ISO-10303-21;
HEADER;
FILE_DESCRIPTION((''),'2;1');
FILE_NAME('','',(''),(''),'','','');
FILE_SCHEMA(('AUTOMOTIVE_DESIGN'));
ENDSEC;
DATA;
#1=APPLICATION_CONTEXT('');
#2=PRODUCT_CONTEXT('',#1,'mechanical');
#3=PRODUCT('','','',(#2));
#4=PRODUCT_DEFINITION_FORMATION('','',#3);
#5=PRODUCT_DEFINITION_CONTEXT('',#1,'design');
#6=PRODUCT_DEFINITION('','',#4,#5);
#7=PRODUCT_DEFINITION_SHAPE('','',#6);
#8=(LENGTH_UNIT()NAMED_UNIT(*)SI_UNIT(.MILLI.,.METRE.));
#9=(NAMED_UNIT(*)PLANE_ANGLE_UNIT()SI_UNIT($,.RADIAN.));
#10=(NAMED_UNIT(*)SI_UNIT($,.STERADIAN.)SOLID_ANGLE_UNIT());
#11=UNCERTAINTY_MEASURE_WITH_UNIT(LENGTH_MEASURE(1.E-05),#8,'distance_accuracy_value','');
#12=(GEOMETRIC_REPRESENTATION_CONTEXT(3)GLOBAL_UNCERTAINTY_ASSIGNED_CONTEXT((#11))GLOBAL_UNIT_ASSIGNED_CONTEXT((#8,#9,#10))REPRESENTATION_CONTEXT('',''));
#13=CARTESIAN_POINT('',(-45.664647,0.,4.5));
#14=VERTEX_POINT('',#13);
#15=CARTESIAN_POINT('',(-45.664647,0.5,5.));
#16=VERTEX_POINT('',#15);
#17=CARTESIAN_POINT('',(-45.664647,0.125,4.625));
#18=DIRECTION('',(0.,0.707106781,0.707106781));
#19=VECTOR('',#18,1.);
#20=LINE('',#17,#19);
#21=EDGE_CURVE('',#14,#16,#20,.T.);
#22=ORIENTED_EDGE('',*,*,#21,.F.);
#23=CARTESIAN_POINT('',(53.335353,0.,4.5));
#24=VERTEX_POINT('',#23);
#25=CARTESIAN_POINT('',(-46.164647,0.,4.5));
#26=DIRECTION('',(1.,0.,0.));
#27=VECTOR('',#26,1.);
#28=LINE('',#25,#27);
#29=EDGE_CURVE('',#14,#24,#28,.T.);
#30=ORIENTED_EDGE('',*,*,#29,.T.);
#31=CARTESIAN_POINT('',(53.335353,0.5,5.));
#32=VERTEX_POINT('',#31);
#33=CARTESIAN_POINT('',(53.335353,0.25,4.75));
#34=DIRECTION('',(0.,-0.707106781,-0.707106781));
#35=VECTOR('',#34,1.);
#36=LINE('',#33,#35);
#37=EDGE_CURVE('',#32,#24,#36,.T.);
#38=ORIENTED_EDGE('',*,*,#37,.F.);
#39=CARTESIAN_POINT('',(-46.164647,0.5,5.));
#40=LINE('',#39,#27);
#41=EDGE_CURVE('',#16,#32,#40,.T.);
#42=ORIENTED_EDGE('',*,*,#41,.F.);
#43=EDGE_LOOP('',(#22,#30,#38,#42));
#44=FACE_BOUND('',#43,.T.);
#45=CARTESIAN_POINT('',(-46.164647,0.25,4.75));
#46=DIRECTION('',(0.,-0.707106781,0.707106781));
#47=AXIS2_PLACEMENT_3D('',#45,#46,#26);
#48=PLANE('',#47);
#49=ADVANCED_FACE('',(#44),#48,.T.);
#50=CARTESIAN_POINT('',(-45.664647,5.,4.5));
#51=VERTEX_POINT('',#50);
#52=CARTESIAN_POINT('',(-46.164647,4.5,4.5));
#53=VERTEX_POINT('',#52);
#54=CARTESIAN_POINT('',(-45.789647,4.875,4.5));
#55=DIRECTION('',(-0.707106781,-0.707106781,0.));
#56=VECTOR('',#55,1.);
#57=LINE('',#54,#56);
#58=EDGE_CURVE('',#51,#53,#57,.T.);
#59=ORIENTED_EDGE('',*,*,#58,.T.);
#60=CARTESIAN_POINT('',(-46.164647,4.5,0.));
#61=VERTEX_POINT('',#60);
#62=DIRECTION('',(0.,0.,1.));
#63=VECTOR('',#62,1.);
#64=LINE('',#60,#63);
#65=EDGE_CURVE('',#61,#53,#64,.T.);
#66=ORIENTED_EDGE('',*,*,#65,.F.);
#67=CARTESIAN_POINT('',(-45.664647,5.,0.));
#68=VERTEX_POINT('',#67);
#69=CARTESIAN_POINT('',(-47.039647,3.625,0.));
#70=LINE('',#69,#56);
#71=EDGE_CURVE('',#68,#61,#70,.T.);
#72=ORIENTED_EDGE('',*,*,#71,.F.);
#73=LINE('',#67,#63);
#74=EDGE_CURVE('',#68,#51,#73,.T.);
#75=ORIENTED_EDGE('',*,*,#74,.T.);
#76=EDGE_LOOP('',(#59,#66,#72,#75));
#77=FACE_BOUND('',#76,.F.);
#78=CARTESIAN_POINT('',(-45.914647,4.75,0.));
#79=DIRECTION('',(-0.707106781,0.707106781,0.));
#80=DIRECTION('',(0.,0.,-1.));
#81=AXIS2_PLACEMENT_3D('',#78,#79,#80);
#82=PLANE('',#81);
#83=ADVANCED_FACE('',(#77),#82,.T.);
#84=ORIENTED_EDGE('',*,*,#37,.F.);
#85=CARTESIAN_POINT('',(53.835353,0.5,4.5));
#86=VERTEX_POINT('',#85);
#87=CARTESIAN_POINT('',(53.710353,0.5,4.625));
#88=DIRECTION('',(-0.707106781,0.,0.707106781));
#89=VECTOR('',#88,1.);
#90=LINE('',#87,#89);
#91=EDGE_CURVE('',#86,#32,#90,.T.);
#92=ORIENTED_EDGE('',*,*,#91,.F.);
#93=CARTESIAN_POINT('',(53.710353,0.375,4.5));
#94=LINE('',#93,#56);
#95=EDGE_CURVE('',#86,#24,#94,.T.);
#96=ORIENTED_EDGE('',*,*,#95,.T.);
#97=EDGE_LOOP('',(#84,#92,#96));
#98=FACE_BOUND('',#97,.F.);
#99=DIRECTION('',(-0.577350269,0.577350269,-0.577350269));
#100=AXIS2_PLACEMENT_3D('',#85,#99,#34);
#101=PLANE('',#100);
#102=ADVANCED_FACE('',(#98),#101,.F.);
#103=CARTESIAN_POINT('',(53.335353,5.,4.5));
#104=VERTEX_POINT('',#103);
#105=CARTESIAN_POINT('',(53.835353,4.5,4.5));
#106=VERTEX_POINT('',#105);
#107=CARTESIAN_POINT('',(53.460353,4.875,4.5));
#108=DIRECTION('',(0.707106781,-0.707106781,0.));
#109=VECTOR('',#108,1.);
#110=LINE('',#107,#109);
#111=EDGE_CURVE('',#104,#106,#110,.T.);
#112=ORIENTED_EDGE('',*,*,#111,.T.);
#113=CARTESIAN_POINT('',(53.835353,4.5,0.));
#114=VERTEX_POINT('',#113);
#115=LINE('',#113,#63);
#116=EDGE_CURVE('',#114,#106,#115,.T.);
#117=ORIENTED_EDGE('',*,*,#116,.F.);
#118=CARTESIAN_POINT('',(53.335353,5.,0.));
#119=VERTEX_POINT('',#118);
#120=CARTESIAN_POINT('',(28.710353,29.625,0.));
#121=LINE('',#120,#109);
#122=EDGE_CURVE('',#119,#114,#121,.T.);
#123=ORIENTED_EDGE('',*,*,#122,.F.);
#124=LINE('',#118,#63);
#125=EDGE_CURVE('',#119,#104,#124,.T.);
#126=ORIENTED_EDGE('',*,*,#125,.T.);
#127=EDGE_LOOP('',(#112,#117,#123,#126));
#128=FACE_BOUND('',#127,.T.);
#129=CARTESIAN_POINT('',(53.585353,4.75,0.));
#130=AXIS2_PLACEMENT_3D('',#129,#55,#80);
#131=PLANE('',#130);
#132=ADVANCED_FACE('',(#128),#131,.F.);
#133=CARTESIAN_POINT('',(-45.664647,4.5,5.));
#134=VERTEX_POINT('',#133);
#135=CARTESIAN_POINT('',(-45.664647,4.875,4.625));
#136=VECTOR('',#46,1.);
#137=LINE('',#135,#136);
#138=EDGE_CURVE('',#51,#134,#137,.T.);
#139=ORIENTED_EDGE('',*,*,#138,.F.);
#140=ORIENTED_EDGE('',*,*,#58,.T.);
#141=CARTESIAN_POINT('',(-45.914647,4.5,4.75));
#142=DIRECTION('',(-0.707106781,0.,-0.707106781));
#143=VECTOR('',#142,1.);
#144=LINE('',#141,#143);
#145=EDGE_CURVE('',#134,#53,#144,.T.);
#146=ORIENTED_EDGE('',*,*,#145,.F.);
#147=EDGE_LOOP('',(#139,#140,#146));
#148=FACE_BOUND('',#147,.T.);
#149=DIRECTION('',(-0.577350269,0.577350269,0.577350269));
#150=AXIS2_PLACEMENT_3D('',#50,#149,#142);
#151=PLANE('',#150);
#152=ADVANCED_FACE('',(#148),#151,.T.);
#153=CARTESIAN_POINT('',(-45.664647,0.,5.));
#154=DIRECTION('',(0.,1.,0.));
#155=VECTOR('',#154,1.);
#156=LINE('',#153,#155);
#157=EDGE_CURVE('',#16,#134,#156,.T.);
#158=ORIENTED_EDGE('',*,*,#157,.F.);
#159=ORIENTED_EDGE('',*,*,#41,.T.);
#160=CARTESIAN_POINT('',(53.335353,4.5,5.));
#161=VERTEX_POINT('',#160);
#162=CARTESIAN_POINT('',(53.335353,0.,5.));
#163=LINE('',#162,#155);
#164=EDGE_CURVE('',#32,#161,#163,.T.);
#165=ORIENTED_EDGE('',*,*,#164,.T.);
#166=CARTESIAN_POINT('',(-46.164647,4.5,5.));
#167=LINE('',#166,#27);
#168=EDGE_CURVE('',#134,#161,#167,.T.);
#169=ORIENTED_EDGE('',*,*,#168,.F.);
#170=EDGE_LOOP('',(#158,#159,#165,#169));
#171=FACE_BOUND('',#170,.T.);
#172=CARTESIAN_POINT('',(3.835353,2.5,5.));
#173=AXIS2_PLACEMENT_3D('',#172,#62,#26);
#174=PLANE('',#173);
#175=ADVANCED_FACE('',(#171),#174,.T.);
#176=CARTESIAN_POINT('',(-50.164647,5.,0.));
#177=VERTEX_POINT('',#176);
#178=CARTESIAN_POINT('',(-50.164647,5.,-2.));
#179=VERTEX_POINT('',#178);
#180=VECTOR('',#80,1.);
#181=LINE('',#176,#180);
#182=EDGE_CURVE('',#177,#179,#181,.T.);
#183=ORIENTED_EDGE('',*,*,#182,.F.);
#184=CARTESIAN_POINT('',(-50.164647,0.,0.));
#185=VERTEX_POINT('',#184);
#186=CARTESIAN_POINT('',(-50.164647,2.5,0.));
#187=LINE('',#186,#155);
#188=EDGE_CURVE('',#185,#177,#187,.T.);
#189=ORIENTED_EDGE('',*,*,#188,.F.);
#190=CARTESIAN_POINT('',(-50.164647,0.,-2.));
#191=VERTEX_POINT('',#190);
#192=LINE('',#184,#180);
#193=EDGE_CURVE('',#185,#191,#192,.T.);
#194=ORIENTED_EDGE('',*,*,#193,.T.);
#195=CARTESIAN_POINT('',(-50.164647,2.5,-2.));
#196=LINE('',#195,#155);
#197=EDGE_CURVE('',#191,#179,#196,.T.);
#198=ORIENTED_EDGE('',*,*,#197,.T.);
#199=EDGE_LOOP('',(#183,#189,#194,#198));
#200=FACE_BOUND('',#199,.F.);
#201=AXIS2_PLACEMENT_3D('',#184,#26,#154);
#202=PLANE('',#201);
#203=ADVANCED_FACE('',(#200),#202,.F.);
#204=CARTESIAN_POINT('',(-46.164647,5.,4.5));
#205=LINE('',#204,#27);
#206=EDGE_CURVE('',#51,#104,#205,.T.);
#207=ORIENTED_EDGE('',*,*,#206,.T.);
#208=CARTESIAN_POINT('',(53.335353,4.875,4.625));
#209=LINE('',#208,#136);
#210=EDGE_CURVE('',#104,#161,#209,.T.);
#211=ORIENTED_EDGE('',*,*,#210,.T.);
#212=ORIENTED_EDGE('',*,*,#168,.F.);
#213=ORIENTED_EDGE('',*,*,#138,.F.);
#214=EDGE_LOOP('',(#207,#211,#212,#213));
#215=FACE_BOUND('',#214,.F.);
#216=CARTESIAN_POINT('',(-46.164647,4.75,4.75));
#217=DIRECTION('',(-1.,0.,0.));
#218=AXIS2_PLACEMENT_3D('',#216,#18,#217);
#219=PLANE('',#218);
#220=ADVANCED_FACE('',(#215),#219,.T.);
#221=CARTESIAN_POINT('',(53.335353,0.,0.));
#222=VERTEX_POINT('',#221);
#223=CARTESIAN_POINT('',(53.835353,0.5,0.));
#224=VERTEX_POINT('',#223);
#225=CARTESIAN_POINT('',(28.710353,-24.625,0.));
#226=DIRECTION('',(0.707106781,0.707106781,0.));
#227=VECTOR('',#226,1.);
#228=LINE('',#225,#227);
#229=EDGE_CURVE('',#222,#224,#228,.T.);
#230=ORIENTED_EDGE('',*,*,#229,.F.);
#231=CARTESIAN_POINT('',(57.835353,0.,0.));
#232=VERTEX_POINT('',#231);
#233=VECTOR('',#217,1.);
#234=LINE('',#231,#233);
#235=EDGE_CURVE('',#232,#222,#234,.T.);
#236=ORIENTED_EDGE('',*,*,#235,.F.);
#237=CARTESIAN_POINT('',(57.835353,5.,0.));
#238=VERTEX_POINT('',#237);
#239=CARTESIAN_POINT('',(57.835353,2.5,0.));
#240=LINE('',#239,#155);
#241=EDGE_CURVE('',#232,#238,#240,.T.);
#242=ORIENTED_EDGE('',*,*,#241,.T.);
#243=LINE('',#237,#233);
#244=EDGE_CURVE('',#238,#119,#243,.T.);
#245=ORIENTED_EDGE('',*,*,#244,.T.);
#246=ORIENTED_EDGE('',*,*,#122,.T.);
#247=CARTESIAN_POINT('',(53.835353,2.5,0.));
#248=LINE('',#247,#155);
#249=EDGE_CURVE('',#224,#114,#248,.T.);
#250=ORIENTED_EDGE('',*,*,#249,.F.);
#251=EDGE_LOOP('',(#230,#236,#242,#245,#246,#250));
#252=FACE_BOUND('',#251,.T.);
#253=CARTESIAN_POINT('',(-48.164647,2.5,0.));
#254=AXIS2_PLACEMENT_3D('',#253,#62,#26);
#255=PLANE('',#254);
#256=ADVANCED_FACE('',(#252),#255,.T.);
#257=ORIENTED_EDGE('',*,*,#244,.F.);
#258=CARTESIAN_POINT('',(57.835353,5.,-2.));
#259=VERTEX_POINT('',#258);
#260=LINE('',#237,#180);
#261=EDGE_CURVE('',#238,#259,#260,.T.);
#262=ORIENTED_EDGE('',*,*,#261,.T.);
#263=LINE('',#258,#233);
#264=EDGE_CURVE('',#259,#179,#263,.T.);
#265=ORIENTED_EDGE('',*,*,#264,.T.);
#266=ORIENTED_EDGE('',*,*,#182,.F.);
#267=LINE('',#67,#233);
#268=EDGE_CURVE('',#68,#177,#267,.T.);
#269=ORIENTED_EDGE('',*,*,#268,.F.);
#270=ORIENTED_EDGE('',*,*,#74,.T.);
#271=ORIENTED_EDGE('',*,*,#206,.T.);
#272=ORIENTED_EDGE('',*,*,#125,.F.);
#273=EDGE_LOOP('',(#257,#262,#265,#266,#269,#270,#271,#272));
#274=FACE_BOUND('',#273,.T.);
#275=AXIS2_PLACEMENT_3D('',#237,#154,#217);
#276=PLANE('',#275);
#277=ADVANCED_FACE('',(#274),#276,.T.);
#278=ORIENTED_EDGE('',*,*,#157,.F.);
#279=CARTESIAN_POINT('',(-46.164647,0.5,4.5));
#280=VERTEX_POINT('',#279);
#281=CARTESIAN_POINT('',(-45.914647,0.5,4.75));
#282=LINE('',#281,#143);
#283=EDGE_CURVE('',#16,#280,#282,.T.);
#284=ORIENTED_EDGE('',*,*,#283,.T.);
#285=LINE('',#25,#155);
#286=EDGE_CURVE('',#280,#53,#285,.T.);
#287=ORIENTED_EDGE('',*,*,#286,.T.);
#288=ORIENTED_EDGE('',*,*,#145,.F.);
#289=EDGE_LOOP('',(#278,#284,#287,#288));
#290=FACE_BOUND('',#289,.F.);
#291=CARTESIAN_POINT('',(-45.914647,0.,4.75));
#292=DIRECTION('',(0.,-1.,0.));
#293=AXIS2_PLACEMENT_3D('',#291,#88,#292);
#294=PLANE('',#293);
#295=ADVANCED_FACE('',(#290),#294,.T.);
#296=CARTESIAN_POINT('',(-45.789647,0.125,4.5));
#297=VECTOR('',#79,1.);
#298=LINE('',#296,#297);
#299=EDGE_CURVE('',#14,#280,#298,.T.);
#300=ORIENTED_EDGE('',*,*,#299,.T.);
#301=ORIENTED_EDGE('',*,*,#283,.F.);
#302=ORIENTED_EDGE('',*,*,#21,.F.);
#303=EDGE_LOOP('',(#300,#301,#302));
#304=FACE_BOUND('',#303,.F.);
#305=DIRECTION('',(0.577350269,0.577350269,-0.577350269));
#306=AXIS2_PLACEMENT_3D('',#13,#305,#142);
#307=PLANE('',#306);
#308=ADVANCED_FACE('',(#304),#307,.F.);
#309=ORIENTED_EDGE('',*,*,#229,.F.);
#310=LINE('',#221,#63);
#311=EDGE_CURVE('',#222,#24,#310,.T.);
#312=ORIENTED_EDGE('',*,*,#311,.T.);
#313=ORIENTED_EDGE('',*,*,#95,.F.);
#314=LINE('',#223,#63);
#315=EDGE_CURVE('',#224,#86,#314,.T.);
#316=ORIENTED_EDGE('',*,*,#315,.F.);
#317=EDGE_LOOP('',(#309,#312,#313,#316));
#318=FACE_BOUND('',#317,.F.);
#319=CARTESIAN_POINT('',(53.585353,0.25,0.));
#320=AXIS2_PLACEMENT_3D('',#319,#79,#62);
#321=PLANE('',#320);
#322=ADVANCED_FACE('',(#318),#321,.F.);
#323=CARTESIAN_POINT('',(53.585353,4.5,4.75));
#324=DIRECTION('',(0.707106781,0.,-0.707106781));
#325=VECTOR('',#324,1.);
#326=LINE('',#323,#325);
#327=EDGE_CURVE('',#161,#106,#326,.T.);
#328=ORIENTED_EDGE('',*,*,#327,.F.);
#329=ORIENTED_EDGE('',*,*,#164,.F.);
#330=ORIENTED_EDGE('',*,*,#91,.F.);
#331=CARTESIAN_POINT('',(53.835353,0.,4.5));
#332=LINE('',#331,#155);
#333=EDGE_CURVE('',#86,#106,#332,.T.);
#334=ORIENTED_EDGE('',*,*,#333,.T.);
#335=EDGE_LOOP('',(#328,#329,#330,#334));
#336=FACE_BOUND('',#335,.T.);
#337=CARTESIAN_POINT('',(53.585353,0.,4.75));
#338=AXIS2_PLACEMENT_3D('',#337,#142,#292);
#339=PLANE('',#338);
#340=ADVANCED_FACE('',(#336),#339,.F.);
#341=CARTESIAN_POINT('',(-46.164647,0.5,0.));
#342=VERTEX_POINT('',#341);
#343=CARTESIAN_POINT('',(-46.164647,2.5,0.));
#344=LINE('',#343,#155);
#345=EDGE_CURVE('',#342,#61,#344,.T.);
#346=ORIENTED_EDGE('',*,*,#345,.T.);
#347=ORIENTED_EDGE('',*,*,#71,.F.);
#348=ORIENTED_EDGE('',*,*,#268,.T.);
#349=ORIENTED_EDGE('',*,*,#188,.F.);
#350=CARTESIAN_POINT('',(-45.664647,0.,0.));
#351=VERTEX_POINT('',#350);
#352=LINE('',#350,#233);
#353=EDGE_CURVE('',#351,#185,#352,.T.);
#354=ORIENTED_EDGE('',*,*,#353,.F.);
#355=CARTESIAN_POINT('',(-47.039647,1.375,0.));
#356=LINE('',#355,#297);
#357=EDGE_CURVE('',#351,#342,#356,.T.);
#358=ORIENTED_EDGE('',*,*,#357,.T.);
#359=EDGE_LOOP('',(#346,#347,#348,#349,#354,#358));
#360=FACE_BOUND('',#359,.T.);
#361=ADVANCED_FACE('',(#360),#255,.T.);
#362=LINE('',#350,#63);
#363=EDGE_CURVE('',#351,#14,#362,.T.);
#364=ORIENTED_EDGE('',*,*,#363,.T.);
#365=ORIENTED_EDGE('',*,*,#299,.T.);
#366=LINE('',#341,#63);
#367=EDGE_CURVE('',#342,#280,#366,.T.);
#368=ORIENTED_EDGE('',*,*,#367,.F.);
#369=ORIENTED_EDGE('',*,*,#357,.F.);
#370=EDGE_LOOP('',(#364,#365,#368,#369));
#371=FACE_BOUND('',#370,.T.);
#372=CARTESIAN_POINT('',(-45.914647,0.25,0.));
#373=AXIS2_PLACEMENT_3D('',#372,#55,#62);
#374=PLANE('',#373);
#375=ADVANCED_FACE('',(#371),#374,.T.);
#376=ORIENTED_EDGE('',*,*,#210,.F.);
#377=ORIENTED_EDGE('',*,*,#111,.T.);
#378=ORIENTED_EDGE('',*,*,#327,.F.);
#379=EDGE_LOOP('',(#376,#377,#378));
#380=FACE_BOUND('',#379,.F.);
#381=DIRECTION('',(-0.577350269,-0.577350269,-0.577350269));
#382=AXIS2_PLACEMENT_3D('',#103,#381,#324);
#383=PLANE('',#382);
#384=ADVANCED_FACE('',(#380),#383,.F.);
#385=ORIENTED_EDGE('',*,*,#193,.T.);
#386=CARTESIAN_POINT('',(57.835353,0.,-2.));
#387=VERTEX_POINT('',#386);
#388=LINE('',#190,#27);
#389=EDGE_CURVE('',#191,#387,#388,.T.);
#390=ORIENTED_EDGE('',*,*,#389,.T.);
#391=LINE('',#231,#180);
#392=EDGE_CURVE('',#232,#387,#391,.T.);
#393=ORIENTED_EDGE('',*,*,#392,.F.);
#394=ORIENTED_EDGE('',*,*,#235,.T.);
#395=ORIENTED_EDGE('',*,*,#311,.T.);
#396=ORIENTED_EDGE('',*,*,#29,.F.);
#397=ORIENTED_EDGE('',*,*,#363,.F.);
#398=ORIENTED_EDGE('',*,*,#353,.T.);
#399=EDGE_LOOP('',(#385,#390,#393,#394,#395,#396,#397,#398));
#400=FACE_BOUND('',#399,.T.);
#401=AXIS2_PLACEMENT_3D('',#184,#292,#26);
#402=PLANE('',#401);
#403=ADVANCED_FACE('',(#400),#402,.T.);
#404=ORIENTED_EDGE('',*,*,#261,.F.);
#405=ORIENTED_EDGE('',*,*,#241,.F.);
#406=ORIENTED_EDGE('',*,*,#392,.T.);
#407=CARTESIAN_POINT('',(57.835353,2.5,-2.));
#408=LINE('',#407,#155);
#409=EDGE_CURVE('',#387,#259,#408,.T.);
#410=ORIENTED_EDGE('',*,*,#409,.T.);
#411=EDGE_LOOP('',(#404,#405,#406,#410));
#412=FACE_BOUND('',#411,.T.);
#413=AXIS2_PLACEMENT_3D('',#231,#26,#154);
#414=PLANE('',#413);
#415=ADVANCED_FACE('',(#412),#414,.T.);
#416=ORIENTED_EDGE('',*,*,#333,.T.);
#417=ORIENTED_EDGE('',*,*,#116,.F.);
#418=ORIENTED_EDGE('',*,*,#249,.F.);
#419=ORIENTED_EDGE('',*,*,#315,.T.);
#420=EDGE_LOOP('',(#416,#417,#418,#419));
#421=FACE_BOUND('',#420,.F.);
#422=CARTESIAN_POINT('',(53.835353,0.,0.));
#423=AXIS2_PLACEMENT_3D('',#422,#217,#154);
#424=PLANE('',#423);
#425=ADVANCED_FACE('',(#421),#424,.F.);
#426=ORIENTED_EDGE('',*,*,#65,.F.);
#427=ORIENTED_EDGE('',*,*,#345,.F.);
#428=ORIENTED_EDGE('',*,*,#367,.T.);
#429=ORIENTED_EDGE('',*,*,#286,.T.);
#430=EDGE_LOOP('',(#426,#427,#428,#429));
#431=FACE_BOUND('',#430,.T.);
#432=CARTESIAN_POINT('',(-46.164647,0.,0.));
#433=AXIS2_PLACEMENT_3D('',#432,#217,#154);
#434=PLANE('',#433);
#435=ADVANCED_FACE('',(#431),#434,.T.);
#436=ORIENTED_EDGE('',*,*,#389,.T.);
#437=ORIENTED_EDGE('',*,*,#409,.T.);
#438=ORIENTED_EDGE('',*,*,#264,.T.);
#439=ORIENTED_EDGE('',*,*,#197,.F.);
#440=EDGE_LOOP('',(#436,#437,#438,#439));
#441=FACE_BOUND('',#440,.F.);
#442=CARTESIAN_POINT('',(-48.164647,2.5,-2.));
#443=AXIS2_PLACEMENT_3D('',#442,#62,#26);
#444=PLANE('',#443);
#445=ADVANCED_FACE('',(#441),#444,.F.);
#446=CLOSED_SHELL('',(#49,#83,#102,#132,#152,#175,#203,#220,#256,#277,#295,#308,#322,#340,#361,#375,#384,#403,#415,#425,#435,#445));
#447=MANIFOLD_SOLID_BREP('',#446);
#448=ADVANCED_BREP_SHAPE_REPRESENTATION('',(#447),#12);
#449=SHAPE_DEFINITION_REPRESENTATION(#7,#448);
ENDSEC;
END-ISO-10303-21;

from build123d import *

# Parameters (mm, degrees)
F0_W     = 100
F0_H     = 5
F1_DEPTH = 5
F0_W_2   = 4
F2_DEPTH = 2
F3_SIZE  = 0.5


with BuildPart() as f1:
    # F0 (on Top) → F1 (new body)
    with BuildSketch(Plane.XY):
        with Locations((3.835353, 2.5)):
            Rectangle(F0_W, F0_H)
    extrude(amount=F1_DEPTH)

    # F0 (on Top) → F2 (join)
    with BuildSketch(Plane.XY):
        with Locations((-48.164647, 2.5)):
            Rectangle(F0_W_2, F0_H)
        with Locations((3.835353, 2.5)):
            Rectangle(F0_W, F0_H)
        with Locations((55.835353, 2.5)):
            Rectangle(F0_W_2, F0_H)
    extrude(amount=-F2_DEPTH)

    # F3
    f3_edges = [f1.edges().sort_by_distance(p)[0] for p in [
        (-46.164647, 2.5, 5),
        (3.835353, 0, 5),
        (53.835353, 2.5, 5),
        (3.835353, 5, 5),
        (53.835353, 5, 2.5),
        (53.835353, 0, 2.5),
        (-46.164647, 0, 2.5),
        (-46.164647, 5, 2.5),
    ]]
    chamfer(f3_edges, length=F3_SIZE)


solid = f1.part
